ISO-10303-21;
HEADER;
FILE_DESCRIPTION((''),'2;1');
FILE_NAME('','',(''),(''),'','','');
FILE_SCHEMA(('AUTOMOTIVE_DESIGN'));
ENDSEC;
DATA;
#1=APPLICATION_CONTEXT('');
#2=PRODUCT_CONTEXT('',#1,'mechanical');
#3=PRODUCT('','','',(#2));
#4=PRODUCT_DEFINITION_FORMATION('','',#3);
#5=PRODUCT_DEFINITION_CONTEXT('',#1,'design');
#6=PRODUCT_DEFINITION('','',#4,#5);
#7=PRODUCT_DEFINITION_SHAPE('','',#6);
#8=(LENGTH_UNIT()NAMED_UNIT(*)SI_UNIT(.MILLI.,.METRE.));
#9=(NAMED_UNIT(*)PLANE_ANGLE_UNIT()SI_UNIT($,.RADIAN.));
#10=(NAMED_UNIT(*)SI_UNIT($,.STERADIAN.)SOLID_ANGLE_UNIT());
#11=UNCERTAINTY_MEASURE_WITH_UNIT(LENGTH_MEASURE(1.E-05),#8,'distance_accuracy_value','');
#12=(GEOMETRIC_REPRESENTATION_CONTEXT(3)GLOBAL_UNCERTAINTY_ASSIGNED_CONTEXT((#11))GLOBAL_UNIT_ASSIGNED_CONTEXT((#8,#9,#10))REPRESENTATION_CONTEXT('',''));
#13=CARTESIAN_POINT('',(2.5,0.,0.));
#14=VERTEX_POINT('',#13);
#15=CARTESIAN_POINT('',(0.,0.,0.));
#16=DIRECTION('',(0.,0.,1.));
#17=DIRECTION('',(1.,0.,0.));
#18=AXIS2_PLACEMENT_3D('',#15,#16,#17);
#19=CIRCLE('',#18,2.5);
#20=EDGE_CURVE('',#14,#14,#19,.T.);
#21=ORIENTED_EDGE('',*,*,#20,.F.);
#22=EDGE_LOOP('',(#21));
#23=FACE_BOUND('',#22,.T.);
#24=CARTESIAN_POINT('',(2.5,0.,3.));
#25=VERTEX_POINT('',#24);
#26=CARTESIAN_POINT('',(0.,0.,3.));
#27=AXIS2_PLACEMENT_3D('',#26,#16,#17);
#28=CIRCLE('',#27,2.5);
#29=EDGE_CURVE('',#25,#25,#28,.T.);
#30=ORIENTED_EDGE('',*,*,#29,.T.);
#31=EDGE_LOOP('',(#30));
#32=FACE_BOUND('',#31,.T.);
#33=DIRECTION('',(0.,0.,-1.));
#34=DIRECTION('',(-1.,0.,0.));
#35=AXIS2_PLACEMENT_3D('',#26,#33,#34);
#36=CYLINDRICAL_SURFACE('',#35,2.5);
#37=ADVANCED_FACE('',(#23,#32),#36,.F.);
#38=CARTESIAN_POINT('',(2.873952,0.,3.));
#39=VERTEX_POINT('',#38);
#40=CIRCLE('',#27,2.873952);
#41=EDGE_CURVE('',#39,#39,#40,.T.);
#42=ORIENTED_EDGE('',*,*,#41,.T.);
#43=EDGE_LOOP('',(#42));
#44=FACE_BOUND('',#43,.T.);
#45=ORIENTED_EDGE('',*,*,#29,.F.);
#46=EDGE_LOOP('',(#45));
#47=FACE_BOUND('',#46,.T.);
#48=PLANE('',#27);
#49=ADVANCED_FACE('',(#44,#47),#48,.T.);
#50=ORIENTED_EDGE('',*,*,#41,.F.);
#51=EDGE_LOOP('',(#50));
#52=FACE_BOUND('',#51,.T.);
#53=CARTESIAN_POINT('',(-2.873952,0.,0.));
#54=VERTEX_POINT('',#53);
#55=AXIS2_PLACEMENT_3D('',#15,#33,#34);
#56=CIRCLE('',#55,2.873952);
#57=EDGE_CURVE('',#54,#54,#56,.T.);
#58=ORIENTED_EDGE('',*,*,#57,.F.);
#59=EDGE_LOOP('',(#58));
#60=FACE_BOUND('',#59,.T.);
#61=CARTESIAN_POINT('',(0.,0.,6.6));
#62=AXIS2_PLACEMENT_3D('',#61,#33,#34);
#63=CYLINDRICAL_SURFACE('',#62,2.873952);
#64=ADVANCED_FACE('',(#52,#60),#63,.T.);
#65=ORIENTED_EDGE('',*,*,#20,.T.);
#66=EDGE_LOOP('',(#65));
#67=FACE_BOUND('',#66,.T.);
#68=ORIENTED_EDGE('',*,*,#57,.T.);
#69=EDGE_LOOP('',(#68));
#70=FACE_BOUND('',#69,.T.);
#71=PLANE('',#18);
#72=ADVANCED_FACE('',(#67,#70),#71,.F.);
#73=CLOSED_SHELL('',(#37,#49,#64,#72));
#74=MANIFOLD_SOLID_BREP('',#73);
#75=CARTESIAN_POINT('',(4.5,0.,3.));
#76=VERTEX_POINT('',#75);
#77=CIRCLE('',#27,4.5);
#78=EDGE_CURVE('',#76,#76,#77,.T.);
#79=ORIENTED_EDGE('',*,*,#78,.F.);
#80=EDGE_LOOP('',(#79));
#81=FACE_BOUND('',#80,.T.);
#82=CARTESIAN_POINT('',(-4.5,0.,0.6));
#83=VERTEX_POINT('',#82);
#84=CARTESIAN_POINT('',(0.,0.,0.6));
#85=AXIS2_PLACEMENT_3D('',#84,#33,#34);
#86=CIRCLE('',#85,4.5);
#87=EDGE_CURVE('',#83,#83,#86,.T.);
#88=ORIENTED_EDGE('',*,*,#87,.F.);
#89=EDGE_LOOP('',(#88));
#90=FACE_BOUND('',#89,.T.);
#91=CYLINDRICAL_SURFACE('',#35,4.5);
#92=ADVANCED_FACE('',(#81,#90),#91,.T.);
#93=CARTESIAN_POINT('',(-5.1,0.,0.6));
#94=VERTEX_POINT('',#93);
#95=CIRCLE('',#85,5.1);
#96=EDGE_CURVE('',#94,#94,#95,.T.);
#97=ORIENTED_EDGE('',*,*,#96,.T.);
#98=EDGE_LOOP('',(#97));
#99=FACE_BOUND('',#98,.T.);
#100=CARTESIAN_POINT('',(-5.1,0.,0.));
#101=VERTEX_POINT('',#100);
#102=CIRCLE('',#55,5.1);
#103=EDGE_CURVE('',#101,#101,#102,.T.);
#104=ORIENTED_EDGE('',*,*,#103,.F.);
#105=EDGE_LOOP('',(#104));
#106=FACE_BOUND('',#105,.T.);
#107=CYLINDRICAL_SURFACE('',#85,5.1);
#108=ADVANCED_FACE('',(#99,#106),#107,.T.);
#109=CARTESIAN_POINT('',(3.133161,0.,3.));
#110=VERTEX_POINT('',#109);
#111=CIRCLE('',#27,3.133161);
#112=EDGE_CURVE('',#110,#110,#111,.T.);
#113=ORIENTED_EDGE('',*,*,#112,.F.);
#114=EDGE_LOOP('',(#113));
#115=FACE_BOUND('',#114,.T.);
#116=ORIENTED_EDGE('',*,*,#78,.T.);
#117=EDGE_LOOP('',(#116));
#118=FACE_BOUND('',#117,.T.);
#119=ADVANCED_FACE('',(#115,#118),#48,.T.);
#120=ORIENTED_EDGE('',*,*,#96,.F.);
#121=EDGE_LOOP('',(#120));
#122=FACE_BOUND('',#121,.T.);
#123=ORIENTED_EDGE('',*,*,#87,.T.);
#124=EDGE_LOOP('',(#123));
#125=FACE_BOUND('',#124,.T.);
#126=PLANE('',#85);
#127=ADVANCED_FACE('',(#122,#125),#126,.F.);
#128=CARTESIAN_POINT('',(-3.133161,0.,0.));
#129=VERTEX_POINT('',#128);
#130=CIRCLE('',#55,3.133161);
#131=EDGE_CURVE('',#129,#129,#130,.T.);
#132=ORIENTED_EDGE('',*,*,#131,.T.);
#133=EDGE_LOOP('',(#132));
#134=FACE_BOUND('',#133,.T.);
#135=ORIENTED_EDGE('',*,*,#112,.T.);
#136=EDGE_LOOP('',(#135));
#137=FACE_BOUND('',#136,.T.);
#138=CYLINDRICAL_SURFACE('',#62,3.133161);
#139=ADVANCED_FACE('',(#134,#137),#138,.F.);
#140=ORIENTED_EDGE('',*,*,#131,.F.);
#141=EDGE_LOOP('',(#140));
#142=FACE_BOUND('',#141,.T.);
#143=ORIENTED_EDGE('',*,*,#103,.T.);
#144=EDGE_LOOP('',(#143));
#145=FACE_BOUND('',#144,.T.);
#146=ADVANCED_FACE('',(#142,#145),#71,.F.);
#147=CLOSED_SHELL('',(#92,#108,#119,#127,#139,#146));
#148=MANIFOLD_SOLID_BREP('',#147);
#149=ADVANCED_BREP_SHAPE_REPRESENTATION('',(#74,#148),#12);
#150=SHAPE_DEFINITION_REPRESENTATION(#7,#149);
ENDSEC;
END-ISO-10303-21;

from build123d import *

# Parameters (mm, degrees)
SKETCH1_R           = 4.5
SKETCH1_R_2         = 2.5
BOSS_EXTRUDE1_DEPTH = 3
SKETCH2_R           = 5.1
SKETCH2_R_2         = 2.5
BOSS_EXTRUDE2_DEPTH = 0.6
SKETCH3_R           = 3.133161095
SKETCH3_R_2         = 2.873951896
CUT_EXTRUDE1_DEPTH  = 6.6


with BuildPart() as part:
    # Sketch1 → Boss-Extrude1 (new body)
    with BuildSketch(Plane.XY):
        Circle(SKETCH1_R)
        Circle(SKETCH1_R_2, mode=Mode.SUBTRACT)
    extrude(amount=BOSS_EXTRUDE1_DEPTH)

    # Sketch2 → Boss-Extrude2 (add)
    with BuildSketch(Plane(origin=(0, 0, 0), x_dir=(-1, 0, 0), z_dir=(0, 0, -1))):
        Circle(SKETCH2_R)
        with Locations(Location((0, 0, 0), (0, 0, 180))):
            Circle(SKETCH2_R_2, mode=Mode.SUBTRACT)
    extrude(amount=-BOSS_EXTRUDE2_DEPTH)

    # Sketch3 → Cut-Extrude1 (cut)
    with BuildSketch(Plane(origin=(0, 0, 0), x_dir=(-1, 0, 0), z_dir=(0, 0, -1))):
        Circle(SKETCH3_R)
        Circle(SKETCH3_R_2, mode=Mode.SUBTRACT)
    extrude(amount=-CUT_EXTRUDE1_DEPTH, mode=Mode.SUBTRACT)


with BuildPart() as cut_extrude1_piece_1:
    # of the separate pieces the step leaves, piece 1, a body of its own (cut_extrude1_pieces)
    add(part.part.solids().sort_by_distance((-5.1, 0, 0))[0])


with BuildPart() as cut_extrude1_piece_2:
    # of the separate pieces the step leaves, piece 2, a body of its own (cut_extrude1_pieces)
    add(part.part.solids().sort_by_distance((-2.873951896, 0, 0))[0])


solid = Compound([cut_extrude1_piece_1.part, cut_extrude1_piece_2.part])
